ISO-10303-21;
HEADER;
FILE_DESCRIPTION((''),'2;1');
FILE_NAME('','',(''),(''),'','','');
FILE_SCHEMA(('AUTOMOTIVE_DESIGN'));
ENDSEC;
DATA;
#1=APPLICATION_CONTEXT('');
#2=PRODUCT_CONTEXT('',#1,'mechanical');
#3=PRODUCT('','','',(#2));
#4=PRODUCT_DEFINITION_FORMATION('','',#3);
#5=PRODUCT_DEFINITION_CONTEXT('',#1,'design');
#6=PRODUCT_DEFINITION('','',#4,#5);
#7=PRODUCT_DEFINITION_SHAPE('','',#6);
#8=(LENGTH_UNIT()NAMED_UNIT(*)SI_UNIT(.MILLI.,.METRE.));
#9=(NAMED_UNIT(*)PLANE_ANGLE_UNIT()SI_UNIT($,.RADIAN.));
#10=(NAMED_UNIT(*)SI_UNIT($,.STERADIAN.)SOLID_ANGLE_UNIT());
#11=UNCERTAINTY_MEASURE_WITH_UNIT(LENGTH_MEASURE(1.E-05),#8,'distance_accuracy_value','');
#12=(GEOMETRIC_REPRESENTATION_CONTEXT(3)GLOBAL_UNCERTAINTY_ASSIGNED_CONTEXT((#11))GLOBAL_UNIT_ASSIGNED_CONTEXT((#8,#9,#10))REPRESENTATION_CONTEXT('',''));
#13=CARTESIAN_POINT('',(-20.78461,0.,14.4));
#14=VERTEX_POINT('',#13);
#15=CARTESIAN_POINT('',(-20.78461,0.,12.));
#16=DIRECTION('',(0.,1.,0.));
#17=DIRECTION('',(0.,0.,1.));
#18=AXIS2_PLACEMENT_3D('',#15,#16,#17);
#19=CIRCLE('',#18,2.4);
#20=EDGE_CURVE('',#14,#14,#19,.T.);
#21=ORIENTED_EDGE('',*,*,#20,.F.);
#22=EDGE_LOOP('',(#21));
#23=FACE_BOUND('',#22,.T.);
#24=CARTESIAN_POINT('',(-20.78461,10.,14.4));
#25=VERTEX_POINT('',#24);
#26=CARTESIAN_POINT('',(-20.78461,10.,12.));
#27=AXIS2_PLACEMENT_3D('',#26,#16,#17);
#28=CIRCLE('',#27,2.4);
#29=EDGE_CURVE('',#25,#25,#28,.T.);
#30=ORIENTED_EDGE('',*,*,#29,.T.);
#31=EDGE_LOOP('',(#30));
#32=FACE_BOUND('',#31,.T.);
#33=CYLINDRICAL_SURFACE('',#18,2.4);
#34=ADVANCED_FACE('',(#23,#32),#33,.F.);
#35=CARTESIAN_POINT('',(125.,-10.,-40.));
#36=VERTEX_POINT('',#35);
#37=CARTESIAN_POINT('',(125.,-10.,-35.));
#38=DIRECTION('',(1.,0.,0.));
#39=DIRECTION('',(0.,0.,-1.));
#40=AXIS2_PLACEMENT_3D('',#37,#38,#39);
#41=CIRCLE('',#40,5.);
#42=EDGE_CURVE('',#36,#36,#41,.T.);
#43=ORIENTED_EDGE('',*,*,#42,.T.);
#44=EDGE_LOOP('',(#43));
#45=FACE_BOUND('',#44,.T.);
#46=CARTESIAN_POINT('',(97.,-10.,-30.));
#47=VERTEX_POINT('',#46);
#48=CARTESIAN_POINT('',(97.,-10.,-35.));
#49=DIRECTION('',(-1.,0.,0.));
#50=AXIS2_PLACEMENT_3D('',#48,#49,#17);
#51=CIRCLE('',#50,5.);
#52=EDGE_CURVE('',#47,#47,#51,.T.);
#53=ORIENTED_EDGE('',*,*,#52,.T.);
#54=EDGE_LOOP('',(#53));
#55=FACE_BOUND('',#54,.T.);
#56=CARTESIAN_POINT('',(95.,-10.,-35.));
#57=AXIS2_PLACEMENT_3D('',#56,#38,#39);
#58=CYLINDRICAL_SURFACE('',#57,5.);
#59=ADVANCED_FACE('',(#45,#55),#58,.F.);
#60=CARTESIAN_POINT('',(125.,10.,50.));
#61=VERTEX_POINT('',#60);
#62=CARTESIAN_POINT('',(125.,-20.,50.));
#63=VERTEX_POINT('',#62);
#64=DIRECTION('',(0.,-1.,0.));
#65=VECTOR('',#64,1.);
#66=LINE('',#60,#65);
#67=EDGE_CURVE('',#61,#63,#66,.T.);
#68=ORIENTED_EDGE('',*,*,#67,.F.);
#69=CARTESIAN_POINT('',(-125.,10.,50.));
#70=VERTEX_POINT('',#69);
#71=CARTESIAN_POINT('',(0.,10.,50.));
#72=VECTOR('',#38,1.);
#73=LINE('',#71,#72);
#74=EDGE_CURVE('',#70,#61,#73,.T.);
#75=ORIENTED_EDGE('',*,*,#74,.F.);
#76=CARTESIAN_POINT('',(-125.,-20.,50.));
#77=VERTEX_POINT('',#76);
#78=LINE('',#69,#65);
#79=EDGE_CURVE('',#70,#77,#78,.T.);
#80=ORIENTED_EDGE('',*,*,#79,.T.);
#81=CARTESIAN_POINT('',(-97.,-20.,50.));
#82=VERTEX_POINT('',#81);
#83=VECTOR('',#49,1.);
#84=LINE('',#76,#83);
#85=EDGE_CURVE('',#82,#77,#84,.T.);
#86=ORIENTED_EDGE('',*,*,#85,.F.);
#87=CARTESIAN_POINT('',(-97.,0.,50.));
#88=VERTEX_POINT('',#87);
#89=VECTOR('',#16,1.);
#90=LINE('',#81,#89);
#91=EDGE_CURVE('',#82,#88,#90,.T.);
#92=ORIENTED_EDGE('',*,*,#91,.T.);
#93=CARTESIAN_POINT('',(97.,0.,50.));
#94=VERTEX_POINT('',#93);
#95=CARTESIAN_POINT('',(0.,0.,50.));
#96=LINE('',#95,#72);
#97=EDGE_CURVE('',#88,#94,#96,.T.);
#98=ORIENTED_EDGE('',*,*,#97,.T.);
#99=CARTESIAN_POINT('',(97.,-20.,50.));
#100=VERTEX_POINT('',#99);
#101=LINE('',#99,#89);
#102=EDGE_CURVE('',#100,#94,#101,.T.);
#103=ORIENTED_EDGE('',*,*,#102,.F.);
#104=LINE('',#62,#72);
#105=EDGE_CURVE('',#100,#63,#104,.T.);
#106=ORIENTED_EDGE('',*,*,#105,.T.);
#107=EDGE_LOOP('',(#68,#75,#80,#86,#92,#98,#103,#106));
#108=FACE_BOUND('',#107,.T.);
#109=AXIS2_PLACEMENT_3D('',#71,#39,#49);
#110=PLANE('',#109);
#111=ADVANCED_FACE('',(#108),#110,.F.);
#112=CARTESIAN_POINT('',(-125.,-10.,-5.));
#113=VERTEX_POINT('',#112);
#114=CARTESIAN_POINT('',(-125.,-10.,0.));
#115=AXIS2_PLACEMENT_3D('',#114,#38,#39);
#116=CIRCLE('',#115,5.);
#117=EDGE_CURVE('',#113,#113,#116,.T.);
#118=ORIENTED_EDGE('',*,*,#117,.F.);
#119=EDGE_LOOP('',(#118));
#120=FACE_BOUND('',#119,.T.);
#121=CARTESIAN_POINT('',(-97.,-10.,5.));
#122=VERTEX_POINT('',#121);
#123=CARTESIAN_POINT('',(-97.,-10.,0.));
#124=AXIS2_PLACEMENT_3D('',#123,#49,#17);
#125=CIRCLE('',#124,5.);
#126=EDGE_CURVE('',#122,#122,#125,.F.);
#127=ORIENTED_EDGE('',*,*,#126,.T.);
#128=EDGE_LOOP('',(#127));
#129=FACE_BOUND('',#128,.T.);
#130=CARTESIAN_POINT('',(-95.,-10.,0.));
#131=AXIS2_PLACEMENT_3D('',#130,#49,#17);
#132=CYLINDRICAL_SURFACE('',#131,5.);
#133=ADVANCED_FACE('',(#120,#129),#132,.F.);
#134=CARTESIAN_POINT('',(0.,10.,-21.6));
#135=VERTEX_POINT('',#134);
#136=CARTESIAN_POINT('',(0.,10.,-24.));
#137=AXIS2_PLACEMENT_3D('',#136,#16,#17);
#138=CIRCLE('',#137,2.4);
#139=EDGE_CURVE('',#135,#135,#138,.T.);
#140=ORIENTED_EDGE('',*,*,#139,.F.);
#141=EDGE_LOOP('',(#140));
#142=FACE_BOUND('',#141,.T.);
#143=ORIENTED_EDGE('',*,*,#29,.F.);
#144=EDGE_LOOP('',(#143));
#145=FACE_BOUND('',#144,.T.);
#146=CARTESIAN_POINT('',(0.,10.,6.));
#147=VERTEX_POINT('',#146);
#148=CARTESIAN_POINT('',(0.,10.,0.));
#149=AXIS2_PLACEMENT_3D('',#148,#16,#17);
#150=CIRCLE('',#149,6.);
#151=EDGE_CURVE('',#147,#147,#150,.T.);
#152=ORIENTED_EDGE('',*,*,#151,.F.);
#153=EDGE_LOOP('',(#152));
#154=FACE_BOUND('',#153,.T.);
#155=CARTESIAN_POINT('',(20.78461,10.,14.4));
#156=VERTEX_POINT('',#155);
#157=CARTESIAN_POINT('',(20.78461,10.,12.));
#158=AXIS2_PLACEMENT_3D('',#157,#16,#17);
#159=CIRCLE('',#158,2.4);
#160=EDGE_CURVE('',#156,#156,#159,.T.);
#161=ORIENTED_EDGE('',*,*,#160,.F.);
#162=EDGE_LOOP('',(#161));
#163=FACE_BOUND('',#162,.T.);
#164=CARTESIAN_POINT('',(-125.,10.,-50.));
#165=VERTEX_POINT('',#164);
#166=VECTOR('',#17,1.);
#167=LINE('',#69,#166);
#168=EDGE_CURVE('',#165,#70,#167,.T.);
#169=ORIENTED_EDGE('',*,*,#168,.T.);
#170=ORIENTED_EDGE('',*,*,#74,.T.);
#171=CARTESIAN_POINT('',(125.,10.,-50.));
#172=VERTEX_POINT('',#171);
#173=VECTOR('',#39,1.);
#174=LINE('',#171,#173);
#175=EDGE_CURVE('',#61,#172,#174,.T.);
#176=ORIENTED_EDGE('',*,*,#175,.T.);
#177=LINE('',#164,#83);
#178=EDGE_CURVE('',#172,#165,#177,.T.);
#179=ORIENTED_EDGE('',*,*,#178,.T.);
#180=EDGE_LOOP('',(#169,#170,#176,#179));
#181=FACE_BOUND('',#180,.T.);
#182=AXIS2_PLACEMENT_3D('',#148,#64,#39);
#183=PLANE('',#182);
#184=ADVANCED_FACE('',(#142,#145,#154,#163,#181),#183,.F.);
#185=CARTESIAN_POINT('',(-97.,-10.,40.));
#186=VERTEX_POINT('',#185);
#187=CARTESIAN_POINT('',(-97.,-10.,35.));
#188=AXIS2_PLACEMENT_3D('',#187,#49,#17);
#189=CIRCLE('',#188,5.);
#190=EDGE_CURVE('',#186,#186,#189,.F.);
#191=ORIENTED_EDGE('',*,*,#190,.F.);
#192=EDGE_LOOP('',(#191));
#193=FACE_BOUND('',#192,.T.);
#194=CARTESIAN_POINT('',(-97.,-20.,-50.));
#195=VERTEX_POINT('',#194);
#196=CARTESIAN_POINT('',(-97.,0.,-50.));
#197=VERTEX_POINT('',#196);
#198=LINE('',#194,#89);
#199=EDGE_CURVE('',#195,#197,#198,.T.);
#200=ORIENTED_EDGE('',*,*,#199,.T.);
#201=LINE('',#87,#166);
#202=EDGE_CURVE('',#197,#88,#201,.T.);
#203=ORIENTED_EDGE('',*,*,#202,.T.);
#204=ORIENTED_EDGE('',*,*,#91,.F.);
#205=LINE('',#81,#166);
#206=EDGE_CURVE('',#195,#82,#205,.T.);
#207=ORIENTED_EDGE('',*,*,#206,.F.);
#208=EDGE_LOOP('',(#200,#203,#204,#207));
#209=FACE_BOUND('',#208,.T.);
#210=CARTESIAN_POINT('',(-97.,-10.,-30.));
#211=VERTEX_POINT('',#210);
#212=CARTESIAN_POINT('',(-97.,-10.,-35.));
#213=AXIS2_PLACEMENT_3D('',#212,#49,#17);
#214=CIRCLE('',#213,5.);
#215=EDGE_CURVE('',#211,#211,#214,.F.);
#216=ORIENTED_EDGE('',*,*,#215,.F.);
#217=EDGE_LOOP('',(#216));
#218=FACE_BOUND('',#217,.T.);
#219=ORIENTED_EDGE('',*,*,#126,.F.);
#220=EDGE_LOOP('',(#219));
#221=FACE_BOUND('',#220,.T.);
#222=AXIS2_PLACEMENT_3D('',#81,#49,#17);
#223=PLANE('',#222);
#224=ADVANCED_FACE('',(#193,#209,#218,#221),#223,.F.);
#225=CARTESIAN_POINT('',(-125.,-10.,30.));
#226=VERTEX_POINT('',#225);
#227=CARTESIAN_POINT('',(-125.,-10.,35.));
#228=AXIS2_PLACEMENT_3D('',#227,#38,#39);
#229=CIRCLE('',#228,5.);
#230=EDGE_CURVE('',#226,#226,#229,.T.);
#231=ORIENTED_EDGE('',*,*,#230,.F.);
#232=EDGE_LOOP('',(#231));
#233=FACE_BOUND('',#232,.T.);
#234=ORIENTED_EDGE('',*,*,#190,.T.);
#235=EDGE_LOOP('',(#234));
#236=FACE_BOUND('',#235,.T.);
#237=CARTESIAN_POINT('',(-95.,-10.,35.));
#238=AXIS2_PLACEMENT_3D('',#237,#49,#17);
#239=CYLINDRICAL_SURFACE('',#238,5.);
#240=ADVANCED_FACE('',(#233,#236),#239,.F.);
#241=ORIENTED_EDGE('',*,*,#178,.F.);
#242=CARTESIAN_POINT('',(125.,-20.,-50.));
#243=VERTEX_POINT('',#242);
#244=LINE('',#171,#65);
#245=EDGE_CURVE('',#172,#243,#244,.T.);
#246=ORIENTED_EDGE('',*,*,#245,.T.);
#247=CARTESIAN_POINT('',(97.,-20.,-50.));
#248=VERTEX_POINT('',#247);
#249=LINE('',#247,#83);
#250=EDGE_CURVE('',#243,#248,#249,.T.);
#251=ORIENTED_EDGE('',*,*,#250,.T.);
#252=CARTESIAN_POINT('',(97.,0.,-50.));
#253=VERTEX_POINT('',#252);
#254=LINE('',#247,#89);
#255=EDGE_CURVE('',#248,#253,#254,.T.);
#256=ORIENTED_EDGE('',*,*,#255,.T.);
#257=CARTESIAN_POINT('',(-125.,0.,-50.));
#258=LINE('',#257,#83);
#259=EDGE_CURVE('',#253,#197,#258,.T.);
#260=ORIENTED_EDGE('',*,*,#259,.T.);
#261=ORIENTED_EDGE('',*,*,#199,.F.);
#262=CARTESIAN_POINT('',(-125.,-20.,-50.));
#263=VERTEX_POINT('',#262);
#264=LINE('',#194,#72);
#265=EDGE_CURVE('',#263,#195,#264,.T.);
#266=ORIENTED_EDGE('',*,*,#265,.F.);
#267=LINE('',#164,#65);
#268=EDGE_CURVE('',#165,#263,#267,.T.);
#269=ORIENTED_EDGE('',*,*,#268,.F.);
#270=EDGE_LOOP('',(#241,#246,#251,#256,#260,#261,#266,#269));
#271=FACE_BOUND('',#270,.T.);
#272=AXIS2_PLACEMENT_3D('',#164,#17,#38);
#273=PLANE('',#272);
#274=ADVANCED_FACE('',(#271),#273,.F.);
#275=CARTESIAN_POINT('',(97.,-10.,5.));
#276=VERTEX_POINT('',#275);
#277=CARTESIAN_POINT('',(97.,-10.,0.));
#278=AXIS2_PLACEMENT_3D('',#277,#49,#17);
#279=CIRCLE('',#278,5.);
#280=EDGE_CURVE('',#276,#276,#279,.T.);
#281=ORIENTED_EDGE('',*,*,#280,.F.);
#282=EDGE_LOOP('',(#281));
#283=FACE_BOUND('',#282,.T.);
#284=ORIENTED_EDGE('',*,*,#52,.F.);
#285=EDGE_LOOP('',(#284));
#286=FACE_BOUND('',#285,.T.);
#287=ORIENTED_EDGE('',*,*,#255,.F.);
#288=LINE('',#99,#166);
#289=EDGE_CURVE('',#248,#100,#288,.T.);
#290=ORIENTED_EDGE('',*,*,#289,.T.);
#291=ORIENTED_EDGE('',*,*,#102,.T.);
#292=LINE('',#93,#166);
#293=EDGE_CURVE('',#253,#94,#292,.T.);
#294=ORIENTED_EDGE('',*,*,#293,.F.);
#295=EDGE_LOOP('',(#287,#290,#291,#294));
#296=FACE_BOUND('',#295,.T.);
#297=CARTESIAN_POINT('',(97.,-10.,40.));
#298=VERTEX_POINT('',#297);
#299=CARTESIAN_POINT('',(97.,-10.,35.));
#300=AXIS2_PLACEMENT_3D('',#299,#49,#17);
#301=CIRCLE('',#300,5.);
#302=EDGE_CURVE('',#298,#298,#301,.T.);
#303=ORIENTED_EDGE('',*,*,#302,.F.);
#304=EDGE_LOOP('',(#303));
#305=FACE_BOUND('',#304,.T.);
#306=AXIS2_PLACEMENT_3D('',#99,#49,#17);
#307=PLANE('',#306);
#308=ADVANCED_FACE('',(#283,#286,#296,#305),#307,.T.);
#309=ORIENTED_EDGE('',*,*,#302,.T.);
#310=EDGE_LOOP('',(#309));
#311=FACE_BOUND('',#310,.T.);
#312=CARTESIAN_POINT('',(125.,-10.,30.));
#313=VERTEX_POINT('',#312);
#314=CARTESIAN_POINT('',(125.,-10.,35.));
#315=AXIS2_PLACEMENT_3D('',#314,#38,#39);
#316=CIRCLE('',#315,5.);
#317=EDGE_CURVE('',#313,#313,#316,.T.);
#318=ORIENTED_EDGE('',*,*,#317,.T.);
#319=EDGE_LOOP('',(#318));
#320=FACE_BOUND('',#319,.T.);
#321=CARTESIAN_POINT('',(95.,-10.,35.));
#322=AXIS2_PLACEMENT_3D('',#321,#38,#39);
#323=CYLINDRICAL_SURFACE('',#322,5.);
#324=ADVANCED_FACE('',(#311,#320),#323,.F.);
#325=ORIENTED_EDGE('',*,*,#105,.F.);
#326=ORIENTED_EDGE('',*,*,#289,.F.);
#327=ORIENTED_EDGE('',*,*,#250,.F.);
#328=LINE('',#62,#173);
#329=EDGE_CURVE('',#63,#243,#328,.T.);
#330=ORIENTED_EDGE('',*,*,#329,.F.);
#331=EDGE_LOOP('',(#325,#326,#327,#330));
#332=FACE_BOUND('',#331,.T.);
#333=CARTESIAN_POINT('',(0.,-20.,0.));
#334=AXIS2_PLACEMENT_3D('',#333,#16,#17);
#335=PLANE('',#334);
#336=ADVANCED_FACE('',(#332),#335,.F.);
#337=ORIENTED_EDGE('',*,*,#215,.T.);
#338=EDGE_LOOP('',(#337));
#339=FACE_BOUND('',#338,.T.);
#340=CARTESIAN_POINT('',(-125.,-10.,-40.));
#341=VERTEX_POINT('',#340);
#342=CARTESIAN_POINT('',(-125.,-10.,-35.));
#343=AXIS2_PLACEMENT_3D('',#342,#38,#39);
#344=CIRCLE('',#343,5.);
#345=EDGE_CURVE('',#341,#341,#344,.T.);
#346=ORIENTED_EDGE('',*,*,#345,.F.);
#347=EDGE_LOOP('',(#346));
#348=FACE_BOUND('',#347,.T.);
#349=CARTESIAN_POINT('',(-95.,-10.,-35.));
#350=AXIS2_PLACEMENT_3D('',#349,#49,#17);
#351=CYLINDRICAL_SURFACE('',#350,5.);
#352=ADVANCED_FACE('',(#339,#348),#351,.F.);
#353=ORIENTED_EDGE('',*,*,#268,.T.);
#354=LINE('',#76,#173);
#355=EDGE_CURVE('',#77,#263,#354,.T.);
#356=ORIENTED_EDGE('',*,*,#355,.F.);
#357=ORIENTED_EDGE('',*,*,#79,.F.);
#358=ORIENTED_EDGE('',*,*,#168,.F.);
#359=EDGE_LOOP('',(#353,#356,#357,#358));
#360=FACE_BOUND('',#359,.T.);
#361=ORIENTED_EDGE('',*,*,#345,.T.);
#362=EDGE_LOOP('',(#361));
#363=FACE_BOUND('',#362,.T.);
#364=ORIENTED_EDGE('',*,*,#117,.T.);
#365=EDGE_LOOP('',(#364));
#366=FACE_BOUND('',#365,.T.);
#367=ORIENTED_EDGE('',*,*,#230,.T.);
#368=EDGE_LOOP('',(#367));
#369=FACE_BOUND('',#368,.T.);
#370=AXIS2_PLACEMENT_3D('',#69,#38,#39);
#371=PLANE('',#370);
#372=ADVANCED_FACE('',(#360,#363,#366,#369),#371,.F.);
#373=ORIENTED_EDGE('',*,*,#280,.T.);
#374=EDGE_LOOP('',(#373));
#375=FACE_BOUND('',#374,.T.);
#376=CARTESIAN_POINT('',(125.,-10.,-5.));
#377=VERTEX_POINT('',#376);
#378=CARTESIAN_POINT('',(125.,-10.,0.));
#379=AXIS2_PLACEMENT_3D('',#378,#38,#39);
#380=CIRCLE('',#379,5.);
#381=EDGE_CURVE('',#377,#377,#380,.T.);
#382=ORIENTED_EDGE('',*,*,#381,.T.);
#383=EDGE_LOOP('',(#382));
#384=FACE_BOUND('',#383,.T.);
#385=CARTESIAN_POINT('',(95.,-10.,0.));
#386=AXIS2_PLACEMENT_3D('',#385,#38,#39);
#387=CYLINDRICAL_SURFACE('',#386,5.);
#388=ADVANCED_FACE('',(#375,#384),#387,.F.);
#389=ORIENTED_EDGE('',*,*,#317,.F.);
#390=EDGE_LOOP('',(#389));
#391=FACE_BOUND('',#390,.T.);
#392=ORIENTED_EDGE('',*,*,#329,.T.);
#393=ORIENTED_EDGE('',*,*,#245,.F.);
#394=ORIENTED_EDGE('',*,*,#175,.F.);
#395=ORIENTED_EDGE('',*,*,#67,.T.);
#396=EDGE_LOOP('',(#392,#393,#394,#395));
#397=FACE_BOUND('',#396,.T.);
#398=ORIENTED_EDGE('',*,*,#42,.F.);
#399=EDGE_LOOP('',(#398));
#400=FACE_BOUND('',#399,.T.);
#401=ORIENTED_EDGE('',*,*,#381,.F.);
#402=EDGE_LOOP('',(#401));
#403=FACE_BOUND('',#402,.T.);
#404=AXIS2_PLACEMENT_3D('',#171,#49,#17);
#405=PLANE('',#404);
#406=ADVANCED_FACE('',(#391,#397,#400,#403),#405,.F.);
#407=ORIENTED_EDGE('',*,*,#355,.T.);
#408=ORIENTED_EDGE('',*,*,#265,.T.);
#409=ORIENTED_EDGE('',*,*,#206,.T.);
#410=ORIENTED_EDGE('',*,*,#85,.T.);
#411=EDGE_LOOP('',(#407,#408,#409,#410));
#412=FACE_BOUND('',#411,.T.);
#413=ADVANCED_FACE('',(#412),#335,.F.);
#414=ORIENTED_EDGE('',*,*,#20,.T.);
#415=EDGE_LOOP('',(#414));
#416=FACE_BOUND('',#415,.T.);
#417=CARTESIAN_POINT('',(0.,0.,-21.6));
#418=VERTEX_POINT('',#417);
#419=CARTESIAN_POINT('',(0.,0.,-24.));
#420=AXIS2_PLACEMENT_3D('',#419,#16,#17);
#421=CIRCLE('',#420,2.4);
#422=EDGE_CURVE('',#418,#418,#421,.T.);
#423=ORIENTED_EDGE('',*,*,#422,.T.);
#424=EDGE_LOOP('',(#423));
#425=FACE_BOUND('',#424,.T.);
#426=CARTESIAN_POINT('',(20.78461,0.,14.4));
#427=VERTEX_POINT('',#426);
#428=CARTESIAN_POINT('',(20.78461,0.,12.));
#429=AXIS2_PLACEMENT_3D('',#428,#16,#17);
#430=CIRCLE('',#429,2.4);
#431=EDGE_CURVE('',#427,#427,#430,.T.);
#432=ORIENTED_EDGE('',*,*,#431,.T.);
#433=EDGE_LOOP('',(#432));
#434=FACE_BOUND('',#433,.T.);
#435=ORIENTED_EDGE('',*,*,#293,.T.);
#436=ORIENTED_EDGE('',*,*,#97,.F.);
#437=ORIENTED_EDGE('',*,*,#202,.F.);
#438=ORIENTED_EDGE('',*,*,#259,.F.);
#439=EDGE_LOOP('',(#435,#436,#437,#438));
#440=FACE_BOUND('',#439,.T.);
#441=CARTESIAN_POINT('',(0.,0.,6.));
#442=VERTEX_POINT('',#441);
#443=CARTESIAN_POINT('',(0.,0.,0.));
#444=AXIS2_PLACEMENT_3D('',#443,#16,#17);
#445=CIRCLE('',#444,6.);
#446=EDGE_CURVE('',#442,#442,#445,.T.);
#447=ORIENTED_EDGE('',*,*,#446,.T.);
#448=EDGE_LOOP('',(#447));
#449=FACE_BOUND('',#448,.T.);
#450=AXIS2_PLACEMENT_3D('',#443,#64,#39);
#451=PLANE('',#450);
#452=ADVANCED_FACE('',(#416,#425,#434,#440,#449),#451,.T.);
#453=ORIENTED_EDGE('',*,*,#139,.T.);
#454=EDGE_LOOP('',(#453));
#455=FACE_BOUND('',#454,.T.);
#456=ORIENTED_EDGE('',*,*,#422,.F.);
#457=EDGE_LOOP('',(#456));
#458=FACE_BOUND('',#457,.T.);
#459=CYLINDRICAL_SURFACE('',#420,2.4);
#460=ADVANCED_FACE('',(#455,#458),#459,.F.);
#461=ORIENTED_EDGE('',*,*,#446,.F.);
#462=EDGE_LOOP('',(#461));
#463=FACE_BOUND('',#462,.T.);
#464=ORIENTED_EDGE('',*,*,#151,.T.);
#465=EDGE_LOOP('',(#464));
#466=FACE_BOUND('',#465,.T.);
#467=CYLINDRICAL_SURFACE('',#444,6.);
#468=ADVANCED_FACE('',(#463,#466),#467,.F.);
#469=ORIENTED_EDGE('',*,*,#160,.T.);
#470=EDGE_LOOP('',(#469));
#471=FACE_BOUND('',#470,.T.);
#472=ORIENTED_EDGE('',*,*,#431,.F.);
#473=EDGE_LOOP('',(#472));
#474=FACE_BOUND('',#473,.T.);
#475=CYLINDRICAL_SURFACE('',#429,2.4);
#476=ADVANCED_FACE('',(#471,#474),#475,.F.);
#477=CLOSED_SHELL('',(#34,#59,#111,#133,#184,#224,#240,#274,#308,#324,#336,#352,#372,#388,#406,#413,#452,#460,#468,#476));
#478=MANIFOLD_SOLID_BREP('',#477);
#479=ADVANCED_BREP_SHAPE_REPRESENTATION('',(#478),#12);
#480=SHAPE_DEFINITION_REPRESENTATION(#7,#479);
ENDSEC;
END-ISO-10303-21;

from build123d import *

# Parameters (mm, degrees)
EXTRUDE_1_DEPTH     = 10
SKETCH_4_W          = 28
SKETCH_4_H          = 100
EXTRUDE_2_DEPTH     = 20
SKETCH_5_R          = 5
CUT_EXTRUDE_2_DEPTH = 30
SKETCH_9_R          = 2.4
CUT_EXTRUDE_4_DEPTH = 10
SKETCH_10_R         = 6
CUT_EXTRUDE_5_DEPTH = 10


with BuildPart() as part:
    # 草图1 → 凸台-拉伸1 (new body)
    with BuildSketch(Plane(origin=(0, 0, 0), x_dir=(1, 0, 0), z_dir=(0, 1, 0))):
        Polygon((0, -50), (125, -50), (125, 50), (-125, 50), (-125, -50), align=None)
    extrude(amount=EXTRUDE_1_DEPTH)

    # 草图4 → 凸台-拉伸2 (add)
    with BuildSketch(Plane.XZ):
        with Locations((-111, 0)):
            Rectangle(SKETCH_4_W, SKETCH_4_H)
    extrude_2 = extrude(amount=EXTRUDE_2_DEPTH)

    # 镜向1: 凸台-拉伸2 across plane
    add(extrude_2.mirror(Plane(origin=(0, 0, 0), x_dir=(0, 0, 1), z_dir=(1, 0, 0))))

    # 草图5 → 切除-拉伸2 (cut)
    with BuildSketch(Plane(origin=(125, 0, 0), x_dir=(0, 0, -1), z_dir=(1, 0, 0))):
        with Locations((0, -10)):
            Circle(SKETCH_5_R)
        with Locations((-35, -10)):
            Circle(SKETCH_5_R)
        with Locations((35, -10)):
            Circle(SKETCH_5_R)
    cut_extrude_2 = extrude(amount=-CUT_EXTRUDE_2_DEPTH, mode=Mode.SUBTRACT)

    # 镜向2: 切除-拉伸2 across plane
    add(cut_extrude_2.mirror(Plane(origin=(0, 0, 0), x_dir=(0, 0, 1), z_dir=(1, 0, 0))), mode=Mode.SUBTRACT)

    # 草图9 → 切除-拉伸4 (cut)
    with BuildSketch(Plane(origin=(0, 10, 0), x_dir=(1, 0, 0), z_dir=(0, 1, 0))):
        with Locations(Location((0, 24, 0), (0, 0, 270))):
            Circle(SKETCH_9_R)
        with Locations(Location((20.784609691, -12, 0), (0, 0, 270))):
            Circle(SKETCH_9_R)
        with Locations(Location((-20.784609691, -12, 0), (0, 0, 270))):
            Circle(SKETCH_9_R)
    extrude(amount=-CUT_EXTRUDE_4_DEPTH, mode=Mode.SUBTRACT)

    # 草图10 → 切除-拉伸5 (cut)
    with BuildSketch(Plane(origin=(0, 10, 0), x_dir=(1, 0, 0), z_dir=(0, 1, 0))):
        with Locations(Location((0, 0, 0), (0, 0, 270))):
            Circle(SKETCH_10_R)
    extrude(amount=-CUT_EXTRUDE_5_DEPTH, mode=Mode.SUBTRACT)


solid = part.part
